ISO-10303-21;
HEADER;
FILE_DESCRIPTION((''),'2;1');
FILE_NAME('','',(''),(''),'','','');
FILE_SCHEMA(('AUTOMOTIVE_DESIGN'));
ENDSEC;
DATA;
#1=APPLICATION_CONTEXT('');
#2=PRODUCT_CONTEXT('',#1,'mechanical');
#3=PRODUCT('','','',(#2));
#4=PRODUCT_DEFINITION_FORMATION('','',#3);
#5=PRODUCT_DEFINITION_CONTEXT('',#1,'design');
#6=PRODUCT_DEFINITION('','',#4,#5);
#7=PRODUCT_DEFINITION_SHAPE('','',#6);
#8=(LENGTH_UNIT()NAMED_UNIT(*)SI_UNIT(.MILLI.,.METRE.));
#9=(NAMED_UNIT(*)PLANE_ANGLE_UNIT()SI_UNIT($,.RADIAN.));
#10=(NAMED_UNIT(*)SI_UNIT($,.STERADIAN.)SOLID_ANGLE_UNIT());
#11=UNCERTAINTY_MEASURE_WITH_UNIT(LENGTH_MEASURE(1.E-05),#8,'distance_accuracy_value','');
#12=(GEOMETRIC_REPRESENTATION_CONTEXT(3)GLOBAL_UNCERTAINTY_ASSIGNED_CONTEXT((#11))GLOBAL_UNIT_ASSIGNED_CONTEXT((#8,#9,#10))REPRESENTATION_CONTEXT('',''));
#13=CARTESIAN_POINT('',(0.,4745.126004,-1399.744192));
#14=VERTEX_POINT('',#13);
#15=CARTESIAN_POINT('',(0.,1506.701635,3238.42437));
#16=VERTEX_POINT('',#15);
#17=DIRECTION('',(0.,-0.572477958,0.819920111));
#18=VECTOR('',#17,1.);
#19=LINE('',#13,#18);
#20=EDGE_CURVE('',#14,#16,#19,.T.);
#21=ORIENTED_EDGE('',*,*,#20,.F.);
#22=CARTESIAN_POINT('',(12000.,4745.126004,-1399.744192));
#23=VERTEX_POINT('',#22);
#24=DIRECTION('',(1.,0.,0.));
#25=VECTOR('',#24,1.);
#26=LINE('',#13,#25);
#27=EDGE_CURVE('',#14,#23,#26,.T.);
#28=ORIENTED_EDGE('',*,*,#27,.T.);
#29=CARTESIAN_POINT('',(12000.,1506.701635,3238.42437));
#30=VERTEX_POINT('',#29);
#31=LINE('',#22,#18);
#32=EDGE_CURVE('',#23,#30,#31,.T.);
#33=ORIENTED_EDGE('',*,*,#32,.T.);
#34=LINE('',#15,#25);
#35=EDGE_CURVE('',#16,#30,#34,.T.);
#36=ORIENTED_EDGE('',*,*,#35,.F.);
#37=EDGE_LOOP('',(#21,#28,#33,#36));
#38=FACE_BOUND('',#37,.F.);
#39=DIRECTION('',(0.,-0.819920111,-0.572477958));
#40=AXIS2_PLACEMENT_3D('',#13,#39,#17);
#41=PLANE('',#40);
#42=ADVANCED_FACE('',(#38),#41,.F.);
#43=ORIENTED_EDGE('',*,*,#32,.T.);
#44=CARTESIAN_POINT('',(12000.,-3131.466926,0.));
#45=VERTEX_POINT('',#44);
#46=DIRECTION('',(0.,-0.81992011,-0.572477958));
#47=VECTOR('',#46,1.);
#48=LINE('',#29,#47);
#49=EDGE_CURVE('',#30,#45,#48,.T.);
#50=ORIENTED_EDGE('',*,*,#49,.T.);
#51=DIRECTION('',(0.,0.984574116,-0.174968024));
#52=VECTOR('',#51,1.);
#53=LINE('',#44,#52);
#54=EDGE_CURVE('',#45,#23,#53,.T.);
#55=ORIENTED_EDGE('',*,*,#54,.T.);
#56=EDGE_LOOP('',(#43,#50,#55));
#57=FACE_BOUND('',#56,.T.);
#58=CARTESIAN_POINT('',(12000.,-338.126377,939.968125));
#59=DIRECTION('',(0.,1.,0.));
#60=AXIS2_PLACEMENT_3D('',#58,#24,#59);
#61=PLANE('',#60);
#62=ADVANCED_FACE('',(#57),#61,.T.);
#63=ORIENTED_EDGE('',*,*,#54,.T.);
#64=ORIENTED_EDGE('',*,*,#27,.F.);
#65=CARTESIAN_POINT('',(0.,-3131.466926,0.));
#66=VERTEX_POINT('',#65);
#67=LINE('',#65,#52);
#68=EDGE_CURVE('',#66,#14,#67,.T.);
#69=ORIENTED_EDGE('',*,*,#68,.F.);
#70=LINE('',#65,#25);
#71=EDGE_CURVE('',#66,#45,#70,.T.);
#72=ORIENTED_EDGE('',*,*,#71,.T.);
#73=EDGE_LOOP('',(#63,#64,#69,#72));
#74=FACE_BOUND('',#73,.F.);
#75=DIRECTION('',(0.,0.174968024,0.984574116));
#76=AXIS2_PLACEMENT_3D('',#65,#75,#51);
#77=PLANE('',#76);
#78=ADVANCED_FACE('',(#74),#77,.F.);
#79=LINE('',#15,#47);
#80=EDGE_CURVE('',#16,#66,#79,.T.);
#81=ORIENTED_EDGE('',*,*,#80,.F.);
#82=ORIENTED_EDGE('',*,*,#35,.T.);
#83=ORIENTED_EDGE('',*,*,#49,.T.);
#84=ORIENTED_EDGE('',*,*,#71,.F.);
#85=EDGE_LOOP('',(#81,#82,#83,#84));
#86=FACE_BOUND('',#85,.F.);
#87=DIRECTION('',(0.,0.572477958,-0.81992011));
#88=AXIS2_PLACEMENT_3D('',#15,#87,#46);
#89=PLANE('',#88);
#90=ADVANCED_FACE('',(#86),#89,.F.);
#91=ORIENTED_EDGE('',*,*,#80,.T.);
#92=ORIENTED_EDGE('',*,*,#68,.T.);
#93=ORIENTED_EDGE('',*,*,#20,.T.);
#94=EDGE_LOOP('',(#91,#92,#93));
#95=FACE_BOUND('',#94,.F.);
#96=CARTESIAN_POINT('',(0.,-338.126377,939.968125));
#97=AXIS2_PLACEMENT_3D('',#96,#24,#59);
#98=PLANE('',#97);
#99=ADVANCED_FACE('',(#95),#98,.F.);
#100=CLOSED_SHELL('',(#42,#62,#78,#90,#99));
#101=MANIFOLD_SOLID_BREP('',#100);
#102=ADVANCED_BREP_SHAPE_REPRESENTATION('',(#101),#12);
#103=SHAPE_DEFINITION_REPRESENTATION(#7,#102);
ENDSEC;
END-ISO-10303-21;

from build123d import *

# Parameters (mm, degrees)
F1_DEPTH = 12000


with BuildPart() as f1:
    # F0 (on Right) → F1 (new body)
    with BuildSketch(Plane.YZ):
        Polygon((1506.701635, 3238.42437), (-3131.466926, 0), (806.829539, -699.872096), align=None)
        Polygon((4745.126004, -1399.744192), (1506.701635, 3238.42437), (806.829539, -699.872096), align=None)
    extrude(amount=F1_DEPTH)


solid = f1.part
